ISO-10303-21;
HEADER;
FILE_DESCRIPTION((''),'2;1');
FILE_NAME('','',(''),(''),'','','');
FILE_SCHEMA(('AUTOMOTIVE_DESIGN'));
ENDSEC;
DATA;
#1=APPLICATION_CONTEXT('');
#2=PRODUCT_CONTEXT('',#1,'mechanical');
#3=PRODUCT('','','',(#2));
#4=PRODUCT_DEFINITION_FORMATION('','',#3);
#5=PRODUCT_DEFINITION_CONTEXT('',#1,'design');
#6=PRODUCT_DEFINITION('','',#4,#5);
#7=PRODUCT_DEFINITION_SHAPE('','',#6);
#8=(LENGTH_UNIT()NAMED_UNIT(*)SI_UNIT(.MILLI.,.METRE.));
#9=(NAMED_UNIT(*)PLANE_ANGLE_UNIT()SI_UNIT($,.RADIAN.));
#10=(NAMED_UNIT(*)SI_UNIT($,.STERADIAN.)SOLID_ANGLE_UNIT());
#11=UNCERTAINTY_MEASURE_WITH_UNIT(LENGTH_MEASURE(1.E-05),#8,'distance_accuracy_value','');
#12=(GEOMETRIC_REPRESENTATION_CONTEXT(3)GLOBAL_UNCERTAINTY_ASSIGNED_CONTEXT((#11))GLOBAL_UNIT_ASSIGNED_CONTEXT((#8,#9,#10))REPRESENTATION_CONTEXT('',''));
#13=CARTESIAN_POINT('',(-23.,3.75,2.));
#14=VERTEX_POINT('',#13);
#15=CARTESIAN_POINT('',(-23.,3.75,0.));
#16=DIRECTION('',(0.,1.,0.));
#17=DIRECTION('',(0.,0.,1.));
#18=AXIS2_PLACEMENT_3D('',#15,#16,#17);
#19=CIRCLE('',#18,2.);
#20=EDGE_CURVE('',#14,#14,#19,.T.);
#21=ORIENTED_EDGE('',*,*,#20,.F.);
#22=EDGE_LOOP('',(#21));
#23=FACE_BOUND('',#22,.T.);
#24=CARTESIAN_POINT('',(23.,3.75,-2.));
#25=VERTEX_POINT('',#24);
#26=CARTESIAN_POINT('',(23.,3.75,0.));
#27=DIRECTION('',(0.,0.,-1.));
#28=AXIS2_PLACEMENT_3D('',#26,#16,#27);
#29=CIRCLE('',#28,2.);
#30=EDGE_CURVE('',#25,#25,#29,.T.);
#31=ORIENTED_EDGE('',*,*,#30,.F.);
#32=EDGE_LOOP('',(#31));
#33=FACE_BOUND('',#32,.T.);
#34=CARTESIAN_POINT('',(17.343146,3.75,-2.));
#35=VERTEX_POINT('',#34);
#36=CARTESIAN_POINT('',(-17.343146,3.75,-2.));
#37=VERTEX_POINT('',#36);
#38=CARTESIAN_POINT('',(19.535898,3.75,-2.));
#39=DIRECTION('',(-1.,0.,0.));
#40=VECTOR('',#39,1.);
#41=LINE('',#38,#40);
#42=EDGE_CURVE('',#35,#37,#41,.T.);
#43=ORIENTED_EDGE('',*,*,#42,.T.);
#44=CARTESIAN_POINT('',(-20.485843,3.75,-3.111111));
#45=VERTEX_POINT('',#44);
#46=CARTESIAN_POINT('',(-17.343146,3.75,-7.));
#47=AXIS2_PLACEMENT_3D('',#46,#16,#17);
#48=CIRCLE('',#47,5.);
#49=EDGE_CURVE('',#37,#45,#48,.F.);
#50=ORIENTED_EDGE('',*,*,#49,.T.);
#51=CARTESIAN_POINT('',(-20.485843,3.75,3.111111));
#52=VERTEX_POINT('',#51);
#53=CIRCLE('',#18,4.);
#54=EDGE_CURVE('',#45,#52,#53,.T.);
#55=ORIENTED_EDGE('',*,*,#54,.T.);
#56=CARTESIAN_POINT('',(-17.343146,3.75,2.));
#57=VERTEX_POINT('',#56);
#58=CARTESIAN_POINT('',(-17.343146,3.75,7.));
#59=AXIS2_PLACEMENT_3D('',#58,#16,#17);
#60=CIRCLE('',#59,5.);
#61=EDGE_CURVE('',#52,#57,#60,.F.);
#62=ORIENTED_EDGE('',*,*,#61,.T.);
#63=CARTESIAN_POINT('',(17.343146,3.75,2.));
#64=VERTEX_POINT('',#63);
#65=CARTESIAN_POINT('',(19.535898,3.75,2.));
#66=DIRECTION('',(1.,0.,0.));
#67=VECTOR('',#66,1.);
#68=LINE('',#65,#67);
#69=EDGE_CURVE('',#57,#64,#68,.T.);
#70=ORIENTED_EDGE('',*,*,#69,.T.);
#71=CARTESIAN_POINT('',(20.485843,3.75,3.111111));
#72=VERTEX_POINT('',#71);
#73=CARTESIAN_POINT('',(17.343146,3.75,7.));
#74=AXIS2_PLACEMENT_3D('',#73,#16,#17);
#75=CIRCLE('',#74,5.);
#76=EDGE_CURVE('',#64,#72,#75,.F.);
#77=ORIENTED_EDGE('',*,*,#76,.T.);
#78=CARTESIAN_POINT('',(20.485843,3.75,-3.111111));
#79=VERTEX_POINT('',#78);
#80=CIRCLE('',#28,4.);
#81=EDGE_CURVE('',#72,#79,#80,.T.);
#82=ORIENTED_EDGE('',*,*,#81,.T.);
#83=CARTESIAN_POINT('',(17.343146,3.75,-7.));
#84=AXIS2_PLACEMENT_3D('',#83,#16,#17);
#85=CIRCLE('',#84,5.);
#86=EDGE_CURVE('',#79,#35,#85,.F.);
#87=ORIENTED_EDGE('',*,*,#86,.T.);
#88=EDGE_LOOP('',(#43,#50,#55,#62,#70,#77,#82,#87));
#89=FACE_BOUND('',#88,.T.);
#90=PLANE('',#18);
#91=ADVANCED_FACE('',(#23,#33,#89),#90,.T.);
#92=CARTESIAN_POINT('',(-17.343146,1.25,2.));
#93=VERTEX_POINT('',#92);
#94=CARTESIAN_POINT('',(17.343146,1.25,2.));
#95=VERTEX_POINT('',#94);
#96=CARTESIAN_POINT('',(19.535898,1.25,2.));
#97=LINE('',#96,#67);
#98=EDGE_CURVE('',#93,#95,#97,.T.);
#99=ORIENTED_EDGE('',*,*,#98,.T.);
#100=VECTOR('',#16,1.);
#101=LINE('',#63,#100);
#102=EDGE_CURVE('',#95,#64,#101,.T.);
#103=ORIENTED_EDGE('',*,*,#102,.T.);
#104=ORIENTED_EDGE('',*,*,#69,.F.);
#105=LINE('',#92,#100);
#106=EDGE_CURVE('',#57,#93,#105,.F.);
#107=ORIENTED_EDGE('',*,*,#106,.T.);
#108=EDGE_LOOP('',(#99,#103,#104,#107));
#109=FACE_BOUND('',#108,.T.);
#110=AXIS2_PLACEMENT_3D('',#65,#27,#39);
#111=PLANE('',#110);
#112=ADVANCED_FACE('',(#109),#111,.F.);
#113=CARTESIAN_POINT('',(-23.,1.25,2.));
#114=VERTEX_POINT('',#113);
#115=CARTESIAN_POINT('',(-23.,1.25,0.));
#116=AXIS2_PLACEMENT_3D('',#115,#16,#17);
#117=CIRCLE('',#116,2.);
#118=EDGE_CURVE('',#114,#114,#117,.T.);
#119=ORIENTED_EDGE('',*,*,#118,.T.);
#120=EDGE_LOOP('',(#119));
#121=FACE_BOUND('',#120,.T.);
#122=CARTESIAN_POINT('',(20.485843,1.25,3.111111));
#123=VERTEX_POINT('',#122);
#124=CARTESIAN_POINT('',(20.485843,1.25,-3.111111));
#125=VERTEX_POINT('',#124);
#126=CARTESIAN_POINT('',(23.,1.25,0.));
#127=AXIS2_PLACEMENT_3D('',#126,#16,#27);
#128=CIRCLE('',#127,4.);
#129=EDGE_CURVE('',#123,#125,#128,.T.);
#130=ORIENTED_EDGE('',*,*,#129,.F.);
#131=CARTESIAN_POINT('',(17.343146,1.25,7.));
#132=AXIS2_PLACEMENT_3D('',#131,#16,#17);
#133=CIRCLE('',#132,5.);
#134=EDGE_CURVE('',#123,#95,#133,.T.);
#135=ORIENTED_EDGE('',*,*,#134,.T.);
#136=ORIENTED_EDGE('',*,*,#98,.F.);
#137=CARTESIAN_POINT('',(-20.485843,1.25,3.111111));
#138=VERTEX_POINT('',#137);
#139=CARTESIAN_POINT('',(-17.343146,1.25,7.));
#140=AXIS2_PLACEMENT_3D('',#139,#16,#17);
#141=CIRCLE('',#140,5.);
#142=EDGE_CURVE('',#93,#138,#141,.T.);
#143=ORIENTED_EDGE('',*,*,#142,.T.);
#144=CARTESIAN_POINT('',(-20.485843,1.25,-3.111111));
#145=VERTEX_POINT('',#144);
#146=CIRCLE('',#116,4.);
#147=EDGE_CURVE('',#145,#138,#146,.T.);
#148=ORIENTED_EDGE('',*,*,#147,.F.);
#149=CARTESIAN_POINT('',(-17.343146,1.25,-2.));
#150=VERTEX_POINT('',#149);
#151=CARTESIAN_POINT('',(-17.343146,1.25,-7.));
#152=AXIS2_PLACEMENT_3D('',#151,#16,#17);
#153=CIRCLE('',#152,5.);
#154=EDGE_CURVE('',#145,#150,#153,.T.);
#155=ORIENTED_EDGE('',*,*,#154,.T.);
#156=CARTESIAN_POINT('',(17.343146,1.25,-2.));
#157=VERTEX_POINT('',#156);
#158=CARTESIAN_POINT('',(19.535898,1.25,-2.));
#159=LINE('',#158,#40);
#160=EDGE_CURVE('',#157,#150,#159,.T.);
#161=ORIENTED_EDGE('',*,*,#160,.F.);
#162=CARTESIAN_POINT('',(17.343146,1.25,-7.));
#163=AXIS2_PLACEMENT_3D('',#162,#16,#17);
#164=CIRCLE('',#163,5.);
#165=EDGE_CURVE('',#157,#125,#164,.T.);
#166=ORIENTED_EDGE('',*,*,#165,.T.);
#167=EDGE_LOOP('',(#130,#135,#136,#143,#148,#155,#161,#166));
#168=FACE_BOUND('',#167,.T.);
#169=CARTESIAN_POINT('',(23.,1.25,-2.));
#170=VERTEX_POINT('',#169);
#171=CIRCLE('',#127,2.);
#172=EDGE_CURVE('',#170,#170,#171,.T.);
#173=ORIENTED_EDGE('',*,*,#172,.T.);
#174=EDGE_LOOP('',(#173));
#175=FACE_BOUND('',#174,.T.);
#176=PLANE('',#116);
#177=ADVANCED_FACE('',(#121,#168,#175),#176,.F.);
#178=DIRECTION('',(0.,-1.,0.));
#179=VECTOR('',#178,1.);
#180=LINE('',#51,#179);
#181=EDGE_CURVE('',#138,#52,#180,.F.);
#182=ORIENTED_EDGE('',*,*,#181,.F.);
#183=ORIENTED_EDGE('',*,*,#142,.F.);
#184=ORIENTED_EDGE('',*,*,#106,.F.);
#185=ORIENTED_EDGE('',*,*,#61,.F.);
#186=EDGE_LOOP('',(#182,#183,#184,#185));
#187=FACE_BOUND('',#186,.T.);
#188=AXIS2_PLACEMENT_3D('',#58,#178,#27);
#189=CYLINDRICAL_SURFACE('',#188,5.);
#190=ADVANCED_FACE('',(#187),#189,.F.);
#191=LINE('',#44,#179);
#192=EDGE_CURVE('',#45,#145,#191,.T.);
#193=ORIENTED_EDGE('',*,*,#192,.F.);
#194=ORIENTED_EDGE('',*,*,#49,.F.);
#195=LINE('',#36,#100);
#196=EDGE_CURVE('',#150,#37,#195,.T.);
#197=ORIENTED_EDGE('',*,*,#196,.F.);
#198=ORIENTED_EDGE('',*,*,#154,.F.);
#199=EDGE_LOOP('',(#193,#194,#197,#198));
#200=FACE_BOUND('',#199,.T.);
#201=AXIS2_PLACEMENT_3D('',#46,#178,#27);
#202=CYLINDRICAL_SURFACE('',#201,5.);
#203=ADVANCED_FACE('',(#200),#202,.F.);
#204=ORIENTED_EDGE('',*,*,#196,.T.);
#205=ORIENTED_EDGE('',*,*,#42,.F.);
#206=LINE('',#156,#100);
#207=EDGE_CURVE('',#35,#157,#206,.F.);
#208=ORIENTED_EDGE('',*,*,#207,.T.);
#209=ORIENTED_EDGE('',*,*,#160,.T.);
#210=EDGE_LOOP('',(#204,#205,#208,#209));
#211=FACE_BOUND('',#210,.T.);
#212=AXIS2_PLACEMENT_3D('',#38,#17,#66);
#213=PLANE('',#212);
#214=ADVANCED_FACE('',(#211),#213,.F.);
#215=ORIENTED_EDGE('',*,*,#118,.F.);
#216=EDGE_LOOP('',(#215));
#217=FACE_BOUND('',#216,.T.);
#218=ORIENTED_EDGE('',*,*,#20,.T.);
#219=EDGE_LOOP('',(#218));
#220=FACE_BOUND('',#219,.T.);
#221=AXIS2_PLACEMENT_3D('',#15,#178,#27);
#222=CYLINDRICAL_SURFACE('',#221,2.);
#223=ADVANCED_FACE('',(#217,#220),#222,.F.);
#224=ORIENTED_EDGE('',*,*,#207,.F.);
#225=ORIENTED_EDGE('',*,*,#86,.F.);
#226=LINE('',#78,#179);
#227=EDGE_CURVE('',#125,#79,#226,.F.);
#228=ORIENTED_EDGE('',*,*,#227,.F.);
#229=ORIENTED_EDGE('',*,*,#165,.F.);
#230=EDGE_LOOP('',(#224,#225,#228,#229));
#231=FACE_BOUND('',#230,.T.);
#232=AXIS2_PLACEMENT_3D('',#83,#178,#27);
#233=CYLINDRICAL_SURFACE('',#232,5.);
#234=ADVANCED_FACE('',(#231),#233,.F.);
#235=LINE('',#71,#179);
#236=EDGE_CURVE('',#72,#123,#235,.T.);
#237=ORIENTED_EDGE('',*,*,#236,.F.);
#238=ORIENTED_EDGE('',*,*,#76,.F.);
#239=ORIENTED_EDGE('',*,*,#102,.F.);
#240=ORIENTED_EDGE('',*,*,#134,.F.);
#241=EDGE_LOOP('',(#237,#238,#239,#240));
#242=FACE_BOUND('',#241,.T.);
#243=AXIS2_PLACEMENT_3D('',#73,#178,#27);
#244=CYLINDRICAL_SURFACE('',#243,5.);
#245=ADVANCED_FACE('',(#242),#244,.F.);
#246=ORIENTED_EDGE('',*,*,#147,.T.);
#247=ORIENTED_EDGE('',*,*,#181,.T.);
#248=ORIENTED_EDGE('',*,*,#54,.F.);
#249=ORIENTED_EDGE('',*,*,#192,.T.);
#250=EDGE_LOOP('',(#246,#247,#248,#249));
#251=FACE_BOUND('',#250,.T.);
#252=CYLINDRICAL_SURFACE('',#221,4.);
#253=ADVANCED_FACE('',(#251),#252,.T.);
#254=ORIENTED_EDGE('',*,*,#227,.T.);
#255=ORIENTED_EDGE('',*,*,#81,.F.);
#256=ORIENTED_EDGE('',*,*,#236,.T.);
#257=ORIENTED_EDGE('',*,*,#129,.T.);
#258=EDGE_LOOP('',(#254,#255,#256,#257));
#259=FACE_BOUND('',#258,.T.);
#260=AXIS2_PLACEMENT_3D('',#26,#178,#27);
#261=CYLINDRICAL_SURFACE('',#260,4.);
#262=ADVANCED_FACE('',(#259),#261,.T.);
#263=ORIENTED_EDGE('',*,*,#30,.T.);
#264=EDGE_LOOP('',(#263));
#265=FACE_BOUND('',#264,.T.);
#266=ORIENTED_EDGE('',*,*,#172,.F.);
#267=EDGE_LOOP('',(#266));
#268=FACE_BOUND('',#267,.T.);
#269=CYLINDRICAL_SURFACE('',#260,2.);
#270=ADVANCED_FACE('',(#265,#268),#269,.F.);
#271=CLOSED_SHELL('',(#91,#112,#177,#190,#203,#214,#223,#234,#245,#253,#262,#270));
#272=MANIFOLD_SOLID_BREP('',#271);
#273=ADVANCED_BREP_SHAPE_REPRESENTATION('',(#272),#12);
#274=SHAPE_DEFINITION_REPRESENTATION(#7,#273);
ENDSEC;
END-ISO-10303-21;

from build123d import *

# Parameters (mm, degrees)
SKETCH1_R           = 4
BOSS_EXTRUDE1_DEPTH = 5
FILLET1_R           = 10
SCALE1_SCALE        = 0.5


with BuildPart() as part:
    # Sketch1 → Boss-Extrude1 (new body)
    with BuildSketch(Plane(origin=(0, 0, 0), x_dir=(1, 0, 0), z_dir=(0, 1, 0))):
        with BuildLine():
            Line((39.07179677, -4), (-39.07179677, -4))
            ThreePointArc((-39.07179677, -4), (-54, 0), (-39.07179677, 4))
            Line((-39.07179677, 4), (39.07179677, 4))
            ThreePointArc((39.07179677, 4), (54, 0), (39.07179677, -4))
        make_face()
        with Locations((-46, 0)):
            Circle(SKETCH1_R, mode=Mode.SUBTRACT)
        with Locations((46, 0)):
            Circle(SKETCH1_R, mode=Mode.SUBTRACT)
    extrude(amount=BOSS_EXTRUDE1_DEPTH)

    # Fillet1
    fillet1_edges = [part.edges().sort_by_distance(p)[0] for p in [
        (-39.07179677, 2.5, -4),
        (39.07179677, 2.5, -4),
        (39.07179677, 2.5, 4),
        (-39.07179677, 2.5, 4),
    ]]
    fillet(fillet1_edges, radius=FILLET1_R)


with BuildPart() as part_1:
    # Scale1: scaled about (0, 2.5, 0)
    add(part.part.scale(SCALE1_SCALE).moved(Location((0, 1.25, 0))))


solid = part_1.part
